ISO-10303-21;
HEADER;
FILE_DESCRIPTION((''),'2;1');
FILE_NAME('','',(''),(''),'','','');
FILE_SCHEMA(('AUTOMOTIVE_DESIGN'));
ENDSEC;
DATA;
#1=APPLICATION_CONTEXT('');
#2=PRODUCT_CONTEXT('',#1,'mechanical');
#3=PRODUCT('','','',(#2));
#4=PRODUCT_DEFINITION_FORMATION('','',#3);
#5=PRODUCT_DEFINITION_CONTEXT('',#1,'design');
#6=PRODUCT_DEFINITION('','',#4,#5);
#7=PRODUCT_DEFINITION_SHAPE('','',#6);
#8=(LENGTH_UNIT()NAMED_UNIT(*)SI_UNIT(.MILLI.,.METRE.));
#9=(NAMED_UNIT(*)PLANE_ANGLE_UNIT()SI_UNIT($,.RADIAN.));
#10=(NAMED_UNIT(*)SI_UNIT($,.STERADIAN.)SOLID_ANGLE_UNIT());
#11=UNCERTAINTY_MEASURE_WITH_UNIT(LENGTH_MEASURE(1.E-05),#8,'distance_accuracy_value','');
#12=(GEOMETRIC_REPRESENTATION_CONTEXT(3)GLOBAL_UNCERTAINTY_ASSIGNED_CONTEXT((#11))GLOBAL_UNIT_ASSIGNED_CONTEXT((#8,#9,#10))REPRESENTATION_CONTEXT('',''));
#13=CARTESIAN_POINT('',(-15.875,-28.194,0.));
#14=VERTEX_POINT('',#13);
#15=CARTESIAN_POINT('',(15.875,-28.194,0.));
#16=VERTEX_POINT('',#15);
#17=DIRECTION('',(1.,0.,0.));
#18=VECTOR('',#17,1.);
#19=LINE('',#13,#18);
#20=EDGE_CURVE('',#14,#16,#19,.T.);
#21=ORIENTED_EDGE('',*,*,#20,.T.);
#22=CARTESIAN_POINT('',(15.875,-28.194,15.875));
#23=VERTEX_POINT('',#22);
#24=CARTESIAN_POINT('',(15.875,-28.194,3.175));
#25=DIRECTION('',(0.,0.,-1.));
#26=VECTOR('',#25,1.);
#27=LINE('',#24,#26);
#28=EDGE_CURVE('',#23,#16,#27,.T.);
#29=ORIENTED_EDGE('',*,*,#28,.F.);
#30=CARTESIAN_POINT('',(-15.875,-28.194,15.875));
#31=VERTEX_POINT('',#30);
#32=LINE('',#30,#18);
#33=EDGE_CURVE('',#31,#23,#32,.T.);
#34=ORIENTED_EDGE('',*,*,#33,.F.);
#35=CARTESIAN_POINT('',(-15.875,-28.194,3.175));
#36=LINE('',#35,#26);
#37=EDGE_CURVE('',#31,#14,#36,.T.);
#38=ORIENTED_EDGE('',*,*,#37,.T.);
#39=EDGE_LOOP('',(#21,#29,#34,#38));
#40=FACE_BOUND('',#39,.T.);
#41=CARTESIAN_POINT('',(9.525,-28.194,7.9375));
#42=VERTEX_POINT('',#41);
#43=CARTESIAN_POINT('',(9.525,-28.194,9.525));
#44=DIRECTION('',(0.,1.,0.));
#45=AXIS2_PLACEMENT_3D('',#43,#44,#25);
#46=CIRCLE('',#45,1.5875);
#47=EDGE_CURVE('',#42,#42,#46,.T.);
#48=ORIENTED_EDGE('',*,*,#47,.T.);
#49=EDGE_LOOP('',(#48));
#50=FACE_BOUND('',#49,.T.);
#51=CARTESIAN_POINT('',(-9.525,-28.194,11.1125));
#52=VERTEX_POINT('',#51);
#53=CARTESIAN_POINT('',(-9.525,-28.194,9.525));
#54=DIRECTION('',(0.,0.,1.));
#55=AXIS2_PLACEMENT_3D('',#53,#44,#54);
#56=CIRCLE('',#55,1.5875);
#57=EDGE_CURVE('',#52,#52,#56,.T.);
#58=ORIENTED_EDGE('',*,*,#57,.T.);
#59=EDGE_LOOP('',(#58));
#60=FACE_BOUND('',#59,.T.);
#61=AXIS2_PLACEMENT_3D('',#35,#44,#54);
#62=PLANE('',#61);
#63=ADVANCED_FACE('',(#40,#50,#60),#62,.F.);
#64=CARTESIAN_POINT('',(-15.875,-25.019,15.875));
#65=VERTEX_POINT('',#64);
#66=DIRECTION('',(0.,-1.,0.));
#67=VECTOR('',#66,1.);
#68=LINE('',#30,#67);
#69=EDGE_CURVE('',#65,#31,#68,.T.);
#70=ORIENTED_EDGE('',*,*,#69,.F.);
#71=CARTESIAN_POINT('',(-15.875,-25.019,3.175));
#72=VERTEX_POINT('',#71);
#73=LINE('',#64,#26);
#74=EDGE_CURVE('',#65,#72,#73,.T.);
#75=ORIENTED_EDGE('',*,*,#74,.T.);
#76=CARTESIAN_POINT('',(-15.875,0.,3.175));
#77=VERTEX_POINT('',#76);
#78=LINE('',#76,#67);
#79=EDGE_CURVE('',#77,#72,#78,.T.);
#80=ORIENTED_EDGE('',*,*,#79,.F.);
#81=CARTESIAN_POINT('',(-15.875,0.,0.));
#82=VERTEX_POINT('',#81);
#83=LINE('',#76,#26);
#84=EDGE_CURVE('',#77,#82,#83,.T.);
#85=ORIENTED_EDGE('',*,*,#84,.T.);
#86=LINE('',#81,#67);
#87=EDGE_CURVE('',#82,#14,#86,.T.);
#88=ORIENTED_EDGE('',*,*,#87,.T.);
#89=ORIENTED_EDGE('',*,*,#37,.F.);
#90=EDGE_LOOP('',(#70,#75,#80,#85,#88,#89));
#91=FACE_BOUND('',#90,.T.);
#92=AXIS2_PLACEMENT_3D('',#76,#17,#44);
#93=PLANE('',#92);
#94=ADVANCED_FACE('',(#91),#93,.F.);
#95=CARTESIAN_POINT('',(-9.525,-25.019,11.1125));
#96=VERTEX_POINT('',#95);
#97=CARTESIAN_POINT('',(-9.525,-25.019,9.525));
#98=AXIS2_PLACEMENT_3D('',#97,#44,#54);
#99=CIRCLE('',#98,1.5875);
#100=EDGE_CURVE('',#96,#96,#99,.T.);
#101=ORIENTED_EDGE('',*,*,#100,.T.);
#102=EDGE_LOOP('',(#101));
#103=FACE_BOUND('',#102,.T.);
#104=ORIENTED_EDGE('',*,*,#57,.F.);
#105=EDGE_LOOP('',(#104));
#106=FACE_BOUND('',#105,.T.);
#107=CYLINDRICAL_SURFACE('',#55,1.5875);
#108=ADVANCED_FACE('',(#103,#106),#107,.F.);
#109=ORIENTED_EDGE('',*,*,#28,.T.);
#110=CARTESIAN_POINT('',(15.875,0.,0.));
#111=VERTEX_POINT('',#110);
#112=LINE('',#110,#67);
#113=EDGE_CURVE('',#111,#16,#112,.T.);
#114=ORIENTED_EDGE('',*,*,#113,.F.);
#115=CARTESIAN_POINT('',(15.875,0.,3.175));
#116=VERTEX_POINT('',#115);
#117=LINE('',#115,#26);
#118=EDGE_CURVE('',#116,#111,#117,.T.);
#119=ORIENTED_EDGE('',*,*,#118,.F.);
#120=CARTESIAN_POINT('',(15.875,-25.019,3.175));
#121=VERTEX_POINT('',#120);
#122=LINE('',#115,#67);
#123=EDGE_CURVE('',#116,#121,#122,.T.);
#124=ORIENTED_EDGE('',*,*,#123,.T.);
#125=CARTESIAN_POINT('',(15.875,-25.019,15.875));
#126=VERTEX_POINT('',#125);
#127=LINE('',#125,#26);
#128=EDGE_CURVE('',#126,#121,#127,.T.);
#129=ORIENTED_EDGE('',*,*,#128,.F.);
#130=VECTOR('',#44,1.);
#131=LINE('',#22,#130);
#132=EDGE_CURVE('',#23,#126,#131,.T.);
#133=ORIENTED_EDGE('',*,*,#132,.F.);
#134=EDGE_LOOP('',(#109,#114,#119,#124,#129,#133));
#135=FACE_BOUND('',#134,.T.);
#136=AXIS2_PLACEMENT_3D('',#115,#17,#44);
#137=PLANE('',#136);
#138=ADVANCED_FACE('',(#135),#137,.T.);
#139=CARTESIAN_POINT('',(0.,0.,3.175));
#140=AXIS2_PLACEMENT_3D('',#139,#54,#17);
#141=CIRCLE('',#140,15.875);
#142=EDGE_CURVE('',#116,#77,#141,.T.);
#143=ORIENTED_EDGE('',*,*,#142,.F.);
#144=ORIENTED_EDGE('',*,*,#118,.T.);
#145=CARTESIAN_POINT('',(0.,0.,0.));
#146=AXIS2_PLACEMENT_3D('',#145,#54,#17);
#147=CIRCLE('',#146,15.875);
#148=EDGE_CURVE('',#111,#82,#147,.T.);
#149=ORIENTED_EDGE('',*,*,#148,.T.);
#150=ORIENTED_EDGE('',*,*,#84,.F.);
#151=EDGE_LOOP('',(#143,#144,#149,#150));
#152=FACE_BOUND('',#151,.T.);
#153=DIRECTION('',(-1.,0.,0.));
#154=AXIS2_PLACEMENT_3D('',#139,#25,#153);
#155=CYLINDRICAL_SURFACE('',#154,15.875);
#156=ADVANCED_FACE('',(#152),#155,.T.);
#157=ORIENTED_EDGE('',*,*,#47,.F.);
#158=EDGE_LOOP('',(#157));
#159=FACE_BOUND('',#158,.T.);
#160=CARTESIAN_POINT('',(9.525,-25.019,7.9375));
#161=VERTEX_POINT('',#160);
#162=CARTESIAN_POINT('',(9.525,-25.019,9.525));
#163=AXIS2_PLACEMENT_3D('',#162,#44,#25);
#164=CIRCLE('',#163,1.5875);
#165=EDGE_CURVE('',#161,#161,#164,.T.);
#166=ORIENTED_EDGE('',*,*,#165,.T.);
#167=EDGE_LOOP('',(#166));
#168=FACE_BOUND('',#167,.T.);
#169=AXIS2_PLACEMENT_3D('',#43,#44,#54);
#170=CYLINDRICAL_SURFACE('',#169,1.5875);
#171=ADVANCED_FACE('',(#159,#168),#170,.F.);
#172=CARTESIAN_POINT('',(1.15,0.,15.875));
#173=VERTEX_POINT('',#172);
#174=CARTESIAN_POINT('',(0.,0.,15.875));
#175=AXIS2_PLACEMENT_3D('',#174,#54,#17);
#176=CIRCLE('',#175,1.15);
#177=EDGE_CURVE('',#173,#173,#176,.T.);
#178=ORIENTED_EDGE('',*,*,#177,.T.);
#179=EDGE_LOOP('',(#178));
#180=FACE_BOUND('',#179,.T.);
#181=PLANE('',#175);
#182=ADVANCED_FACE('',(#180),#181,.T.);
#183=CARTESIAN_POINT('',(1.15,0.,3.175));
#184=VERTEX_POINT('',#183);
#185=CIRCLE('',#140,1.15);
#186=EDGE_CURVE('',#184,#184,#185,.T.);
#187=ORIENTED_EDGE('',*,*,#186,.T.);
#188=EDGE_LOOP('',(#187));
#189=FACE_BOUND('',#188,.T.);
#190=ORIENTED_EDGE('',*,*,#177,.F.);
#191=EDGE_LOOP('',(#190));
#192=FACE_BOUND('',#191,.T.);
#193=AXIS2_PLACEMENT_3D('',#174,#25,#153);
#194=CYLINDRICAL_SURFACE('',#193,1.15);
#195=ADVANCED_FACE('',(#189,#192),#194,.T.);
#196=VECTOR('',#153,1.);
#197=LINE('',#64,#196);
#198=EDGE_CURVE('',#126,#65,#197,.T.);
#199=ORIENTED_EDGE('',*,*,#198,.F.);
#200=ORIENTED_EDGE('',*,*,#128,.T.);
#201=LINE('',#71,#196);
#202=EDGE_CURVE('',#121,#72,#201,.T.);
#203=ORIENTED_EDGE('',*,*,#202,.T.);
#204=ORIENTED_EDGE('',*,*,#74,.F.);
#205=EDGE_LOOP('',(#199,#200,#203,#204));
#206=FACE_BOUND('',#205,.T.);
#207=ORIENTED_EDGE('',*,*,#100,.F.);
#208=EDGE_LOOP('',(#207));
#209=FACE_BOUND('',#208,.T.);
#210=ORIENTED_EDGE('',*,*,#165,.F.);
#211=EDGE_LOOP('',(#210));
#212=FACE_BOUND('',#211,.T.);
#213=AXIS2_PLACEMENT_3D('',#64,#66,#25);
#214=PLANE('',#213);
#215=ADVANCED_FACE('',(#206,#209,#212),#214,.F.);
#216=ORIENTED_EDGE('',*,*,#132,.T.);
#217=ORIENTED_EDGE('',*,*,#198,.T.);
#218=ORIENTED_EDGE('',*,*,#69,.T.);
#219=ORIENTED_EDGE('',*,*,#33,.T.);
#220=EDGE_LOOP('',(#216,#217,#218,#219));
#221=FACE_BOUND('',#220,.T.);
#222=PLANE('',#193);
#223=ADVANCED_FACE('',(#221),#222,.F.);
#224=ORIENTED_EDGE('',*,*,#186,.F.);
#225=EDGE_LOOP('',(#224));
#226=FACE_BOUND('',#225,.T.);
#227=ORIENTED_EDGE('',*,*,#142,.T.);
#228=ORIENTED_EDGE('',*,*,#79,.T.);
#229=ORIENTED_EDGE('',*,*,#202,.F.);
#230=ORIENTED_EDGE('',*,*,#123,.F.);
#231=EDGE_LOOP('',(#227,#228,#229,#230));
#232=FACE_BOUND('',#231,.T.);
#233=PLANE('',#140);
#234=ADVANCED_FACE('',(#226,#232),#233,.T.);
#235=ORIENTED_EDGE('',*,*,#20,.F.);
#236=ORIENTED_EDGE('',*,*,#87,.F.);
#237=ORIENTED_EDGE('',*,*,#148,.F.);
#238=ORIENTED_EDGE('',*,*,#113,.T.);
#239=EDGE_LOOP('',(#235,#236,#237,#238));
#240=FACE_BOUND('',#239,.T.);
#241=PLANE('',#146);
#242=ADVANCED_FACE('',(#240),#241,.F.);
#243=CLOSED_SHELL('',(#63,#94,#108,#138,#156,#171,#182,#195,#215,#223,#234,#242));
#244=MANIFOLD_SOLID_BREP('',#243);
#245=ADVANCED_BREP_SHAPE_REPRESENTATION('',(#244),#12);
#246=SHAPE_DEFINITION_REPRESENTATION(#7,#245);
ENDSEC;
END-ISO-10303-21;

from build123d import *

# Parameters (mm, degrees)
BOSS_EXTRUDE1_DEPTH = 3.175
SKETCH4_W           = 31.75
SKETCH4_H           = 3.175
BOSS_EXTRUDE2_DEPTH = 12.7
SKETCH5_R           = 1.5875
CUT_EXTRUDE2_DEPTH  = 47.651371748
SKETCH6_R           = 1.15
BOSS_EXTRUDE3_DEPTH = 12.7


with BuildPart() as part:
    # Sketch1 → Boss-Extrude1 (new body)
    with BuildSketch(Plane.XY):
        with BuildLine():
            ThreePointArc((15.875, 0), (0, 15.875), (-15.875, 0))
            Line((-15.875, 0), (15.875, 0))
        make_face()
        with BuildLine():
            ThreePointArc((15.875, 0), (0, -15.875), (-15.875, 0))
            Line((-15.875, 0), (-15.875, -28.194))
            Line((-15.875, -28.194), (15.875, -28.194))
            Line((15.875, -28.194), (15.875, 0))
        make_face()
        with BuildLine():
            Line((15.875, 0), (-15.875, 0))
            ThreePointArc((-15.875, 0), (0, -15.875), (15.875, 0))
        make_face()
    extrude(amount=BOSS_EXTRUDE1_DEPTH)

    # Sketch4 → Boss-Extrude2 (add)
    with BuildSketch(Plane.XY.offset(3.175)):
        with Locations((0, -26.6065)):
            Rectangle(SKETCH4_W, SKETCH4_H)
    extrude(amount=BOSS_EXTRUDE2_DEPTH)

    # Sketch5 → Cut-Extrude2 (cut, through all)
    with BuildSketch(Plane(origin=(0, -25.019, 0), x_dir=(1, 0, 0), z_dir=(0, 1, 0))):
        with Locations(Location((-9.525, -9.525, 0), (0, 0, 270))):
            Circle(SKETCH5_R)
        with Locations(Location((9.525, -9.525, 0), (0, 0, 90))):
            Circle(SKETCH5_R)
    extrude(amount=-CUT_EXTRUDE2_DEPTH, mode=Mode.SUBTRACT)

    # Sketch6 → Boss-Extrude3 (add, through all)
    with BuildSketch(Plane.XY.offset(3.175)):
        Circle(SKETCH6_R)
    extrude(amount=BOSS_EXTRUDE3_DEPTH)


solid = part.part
